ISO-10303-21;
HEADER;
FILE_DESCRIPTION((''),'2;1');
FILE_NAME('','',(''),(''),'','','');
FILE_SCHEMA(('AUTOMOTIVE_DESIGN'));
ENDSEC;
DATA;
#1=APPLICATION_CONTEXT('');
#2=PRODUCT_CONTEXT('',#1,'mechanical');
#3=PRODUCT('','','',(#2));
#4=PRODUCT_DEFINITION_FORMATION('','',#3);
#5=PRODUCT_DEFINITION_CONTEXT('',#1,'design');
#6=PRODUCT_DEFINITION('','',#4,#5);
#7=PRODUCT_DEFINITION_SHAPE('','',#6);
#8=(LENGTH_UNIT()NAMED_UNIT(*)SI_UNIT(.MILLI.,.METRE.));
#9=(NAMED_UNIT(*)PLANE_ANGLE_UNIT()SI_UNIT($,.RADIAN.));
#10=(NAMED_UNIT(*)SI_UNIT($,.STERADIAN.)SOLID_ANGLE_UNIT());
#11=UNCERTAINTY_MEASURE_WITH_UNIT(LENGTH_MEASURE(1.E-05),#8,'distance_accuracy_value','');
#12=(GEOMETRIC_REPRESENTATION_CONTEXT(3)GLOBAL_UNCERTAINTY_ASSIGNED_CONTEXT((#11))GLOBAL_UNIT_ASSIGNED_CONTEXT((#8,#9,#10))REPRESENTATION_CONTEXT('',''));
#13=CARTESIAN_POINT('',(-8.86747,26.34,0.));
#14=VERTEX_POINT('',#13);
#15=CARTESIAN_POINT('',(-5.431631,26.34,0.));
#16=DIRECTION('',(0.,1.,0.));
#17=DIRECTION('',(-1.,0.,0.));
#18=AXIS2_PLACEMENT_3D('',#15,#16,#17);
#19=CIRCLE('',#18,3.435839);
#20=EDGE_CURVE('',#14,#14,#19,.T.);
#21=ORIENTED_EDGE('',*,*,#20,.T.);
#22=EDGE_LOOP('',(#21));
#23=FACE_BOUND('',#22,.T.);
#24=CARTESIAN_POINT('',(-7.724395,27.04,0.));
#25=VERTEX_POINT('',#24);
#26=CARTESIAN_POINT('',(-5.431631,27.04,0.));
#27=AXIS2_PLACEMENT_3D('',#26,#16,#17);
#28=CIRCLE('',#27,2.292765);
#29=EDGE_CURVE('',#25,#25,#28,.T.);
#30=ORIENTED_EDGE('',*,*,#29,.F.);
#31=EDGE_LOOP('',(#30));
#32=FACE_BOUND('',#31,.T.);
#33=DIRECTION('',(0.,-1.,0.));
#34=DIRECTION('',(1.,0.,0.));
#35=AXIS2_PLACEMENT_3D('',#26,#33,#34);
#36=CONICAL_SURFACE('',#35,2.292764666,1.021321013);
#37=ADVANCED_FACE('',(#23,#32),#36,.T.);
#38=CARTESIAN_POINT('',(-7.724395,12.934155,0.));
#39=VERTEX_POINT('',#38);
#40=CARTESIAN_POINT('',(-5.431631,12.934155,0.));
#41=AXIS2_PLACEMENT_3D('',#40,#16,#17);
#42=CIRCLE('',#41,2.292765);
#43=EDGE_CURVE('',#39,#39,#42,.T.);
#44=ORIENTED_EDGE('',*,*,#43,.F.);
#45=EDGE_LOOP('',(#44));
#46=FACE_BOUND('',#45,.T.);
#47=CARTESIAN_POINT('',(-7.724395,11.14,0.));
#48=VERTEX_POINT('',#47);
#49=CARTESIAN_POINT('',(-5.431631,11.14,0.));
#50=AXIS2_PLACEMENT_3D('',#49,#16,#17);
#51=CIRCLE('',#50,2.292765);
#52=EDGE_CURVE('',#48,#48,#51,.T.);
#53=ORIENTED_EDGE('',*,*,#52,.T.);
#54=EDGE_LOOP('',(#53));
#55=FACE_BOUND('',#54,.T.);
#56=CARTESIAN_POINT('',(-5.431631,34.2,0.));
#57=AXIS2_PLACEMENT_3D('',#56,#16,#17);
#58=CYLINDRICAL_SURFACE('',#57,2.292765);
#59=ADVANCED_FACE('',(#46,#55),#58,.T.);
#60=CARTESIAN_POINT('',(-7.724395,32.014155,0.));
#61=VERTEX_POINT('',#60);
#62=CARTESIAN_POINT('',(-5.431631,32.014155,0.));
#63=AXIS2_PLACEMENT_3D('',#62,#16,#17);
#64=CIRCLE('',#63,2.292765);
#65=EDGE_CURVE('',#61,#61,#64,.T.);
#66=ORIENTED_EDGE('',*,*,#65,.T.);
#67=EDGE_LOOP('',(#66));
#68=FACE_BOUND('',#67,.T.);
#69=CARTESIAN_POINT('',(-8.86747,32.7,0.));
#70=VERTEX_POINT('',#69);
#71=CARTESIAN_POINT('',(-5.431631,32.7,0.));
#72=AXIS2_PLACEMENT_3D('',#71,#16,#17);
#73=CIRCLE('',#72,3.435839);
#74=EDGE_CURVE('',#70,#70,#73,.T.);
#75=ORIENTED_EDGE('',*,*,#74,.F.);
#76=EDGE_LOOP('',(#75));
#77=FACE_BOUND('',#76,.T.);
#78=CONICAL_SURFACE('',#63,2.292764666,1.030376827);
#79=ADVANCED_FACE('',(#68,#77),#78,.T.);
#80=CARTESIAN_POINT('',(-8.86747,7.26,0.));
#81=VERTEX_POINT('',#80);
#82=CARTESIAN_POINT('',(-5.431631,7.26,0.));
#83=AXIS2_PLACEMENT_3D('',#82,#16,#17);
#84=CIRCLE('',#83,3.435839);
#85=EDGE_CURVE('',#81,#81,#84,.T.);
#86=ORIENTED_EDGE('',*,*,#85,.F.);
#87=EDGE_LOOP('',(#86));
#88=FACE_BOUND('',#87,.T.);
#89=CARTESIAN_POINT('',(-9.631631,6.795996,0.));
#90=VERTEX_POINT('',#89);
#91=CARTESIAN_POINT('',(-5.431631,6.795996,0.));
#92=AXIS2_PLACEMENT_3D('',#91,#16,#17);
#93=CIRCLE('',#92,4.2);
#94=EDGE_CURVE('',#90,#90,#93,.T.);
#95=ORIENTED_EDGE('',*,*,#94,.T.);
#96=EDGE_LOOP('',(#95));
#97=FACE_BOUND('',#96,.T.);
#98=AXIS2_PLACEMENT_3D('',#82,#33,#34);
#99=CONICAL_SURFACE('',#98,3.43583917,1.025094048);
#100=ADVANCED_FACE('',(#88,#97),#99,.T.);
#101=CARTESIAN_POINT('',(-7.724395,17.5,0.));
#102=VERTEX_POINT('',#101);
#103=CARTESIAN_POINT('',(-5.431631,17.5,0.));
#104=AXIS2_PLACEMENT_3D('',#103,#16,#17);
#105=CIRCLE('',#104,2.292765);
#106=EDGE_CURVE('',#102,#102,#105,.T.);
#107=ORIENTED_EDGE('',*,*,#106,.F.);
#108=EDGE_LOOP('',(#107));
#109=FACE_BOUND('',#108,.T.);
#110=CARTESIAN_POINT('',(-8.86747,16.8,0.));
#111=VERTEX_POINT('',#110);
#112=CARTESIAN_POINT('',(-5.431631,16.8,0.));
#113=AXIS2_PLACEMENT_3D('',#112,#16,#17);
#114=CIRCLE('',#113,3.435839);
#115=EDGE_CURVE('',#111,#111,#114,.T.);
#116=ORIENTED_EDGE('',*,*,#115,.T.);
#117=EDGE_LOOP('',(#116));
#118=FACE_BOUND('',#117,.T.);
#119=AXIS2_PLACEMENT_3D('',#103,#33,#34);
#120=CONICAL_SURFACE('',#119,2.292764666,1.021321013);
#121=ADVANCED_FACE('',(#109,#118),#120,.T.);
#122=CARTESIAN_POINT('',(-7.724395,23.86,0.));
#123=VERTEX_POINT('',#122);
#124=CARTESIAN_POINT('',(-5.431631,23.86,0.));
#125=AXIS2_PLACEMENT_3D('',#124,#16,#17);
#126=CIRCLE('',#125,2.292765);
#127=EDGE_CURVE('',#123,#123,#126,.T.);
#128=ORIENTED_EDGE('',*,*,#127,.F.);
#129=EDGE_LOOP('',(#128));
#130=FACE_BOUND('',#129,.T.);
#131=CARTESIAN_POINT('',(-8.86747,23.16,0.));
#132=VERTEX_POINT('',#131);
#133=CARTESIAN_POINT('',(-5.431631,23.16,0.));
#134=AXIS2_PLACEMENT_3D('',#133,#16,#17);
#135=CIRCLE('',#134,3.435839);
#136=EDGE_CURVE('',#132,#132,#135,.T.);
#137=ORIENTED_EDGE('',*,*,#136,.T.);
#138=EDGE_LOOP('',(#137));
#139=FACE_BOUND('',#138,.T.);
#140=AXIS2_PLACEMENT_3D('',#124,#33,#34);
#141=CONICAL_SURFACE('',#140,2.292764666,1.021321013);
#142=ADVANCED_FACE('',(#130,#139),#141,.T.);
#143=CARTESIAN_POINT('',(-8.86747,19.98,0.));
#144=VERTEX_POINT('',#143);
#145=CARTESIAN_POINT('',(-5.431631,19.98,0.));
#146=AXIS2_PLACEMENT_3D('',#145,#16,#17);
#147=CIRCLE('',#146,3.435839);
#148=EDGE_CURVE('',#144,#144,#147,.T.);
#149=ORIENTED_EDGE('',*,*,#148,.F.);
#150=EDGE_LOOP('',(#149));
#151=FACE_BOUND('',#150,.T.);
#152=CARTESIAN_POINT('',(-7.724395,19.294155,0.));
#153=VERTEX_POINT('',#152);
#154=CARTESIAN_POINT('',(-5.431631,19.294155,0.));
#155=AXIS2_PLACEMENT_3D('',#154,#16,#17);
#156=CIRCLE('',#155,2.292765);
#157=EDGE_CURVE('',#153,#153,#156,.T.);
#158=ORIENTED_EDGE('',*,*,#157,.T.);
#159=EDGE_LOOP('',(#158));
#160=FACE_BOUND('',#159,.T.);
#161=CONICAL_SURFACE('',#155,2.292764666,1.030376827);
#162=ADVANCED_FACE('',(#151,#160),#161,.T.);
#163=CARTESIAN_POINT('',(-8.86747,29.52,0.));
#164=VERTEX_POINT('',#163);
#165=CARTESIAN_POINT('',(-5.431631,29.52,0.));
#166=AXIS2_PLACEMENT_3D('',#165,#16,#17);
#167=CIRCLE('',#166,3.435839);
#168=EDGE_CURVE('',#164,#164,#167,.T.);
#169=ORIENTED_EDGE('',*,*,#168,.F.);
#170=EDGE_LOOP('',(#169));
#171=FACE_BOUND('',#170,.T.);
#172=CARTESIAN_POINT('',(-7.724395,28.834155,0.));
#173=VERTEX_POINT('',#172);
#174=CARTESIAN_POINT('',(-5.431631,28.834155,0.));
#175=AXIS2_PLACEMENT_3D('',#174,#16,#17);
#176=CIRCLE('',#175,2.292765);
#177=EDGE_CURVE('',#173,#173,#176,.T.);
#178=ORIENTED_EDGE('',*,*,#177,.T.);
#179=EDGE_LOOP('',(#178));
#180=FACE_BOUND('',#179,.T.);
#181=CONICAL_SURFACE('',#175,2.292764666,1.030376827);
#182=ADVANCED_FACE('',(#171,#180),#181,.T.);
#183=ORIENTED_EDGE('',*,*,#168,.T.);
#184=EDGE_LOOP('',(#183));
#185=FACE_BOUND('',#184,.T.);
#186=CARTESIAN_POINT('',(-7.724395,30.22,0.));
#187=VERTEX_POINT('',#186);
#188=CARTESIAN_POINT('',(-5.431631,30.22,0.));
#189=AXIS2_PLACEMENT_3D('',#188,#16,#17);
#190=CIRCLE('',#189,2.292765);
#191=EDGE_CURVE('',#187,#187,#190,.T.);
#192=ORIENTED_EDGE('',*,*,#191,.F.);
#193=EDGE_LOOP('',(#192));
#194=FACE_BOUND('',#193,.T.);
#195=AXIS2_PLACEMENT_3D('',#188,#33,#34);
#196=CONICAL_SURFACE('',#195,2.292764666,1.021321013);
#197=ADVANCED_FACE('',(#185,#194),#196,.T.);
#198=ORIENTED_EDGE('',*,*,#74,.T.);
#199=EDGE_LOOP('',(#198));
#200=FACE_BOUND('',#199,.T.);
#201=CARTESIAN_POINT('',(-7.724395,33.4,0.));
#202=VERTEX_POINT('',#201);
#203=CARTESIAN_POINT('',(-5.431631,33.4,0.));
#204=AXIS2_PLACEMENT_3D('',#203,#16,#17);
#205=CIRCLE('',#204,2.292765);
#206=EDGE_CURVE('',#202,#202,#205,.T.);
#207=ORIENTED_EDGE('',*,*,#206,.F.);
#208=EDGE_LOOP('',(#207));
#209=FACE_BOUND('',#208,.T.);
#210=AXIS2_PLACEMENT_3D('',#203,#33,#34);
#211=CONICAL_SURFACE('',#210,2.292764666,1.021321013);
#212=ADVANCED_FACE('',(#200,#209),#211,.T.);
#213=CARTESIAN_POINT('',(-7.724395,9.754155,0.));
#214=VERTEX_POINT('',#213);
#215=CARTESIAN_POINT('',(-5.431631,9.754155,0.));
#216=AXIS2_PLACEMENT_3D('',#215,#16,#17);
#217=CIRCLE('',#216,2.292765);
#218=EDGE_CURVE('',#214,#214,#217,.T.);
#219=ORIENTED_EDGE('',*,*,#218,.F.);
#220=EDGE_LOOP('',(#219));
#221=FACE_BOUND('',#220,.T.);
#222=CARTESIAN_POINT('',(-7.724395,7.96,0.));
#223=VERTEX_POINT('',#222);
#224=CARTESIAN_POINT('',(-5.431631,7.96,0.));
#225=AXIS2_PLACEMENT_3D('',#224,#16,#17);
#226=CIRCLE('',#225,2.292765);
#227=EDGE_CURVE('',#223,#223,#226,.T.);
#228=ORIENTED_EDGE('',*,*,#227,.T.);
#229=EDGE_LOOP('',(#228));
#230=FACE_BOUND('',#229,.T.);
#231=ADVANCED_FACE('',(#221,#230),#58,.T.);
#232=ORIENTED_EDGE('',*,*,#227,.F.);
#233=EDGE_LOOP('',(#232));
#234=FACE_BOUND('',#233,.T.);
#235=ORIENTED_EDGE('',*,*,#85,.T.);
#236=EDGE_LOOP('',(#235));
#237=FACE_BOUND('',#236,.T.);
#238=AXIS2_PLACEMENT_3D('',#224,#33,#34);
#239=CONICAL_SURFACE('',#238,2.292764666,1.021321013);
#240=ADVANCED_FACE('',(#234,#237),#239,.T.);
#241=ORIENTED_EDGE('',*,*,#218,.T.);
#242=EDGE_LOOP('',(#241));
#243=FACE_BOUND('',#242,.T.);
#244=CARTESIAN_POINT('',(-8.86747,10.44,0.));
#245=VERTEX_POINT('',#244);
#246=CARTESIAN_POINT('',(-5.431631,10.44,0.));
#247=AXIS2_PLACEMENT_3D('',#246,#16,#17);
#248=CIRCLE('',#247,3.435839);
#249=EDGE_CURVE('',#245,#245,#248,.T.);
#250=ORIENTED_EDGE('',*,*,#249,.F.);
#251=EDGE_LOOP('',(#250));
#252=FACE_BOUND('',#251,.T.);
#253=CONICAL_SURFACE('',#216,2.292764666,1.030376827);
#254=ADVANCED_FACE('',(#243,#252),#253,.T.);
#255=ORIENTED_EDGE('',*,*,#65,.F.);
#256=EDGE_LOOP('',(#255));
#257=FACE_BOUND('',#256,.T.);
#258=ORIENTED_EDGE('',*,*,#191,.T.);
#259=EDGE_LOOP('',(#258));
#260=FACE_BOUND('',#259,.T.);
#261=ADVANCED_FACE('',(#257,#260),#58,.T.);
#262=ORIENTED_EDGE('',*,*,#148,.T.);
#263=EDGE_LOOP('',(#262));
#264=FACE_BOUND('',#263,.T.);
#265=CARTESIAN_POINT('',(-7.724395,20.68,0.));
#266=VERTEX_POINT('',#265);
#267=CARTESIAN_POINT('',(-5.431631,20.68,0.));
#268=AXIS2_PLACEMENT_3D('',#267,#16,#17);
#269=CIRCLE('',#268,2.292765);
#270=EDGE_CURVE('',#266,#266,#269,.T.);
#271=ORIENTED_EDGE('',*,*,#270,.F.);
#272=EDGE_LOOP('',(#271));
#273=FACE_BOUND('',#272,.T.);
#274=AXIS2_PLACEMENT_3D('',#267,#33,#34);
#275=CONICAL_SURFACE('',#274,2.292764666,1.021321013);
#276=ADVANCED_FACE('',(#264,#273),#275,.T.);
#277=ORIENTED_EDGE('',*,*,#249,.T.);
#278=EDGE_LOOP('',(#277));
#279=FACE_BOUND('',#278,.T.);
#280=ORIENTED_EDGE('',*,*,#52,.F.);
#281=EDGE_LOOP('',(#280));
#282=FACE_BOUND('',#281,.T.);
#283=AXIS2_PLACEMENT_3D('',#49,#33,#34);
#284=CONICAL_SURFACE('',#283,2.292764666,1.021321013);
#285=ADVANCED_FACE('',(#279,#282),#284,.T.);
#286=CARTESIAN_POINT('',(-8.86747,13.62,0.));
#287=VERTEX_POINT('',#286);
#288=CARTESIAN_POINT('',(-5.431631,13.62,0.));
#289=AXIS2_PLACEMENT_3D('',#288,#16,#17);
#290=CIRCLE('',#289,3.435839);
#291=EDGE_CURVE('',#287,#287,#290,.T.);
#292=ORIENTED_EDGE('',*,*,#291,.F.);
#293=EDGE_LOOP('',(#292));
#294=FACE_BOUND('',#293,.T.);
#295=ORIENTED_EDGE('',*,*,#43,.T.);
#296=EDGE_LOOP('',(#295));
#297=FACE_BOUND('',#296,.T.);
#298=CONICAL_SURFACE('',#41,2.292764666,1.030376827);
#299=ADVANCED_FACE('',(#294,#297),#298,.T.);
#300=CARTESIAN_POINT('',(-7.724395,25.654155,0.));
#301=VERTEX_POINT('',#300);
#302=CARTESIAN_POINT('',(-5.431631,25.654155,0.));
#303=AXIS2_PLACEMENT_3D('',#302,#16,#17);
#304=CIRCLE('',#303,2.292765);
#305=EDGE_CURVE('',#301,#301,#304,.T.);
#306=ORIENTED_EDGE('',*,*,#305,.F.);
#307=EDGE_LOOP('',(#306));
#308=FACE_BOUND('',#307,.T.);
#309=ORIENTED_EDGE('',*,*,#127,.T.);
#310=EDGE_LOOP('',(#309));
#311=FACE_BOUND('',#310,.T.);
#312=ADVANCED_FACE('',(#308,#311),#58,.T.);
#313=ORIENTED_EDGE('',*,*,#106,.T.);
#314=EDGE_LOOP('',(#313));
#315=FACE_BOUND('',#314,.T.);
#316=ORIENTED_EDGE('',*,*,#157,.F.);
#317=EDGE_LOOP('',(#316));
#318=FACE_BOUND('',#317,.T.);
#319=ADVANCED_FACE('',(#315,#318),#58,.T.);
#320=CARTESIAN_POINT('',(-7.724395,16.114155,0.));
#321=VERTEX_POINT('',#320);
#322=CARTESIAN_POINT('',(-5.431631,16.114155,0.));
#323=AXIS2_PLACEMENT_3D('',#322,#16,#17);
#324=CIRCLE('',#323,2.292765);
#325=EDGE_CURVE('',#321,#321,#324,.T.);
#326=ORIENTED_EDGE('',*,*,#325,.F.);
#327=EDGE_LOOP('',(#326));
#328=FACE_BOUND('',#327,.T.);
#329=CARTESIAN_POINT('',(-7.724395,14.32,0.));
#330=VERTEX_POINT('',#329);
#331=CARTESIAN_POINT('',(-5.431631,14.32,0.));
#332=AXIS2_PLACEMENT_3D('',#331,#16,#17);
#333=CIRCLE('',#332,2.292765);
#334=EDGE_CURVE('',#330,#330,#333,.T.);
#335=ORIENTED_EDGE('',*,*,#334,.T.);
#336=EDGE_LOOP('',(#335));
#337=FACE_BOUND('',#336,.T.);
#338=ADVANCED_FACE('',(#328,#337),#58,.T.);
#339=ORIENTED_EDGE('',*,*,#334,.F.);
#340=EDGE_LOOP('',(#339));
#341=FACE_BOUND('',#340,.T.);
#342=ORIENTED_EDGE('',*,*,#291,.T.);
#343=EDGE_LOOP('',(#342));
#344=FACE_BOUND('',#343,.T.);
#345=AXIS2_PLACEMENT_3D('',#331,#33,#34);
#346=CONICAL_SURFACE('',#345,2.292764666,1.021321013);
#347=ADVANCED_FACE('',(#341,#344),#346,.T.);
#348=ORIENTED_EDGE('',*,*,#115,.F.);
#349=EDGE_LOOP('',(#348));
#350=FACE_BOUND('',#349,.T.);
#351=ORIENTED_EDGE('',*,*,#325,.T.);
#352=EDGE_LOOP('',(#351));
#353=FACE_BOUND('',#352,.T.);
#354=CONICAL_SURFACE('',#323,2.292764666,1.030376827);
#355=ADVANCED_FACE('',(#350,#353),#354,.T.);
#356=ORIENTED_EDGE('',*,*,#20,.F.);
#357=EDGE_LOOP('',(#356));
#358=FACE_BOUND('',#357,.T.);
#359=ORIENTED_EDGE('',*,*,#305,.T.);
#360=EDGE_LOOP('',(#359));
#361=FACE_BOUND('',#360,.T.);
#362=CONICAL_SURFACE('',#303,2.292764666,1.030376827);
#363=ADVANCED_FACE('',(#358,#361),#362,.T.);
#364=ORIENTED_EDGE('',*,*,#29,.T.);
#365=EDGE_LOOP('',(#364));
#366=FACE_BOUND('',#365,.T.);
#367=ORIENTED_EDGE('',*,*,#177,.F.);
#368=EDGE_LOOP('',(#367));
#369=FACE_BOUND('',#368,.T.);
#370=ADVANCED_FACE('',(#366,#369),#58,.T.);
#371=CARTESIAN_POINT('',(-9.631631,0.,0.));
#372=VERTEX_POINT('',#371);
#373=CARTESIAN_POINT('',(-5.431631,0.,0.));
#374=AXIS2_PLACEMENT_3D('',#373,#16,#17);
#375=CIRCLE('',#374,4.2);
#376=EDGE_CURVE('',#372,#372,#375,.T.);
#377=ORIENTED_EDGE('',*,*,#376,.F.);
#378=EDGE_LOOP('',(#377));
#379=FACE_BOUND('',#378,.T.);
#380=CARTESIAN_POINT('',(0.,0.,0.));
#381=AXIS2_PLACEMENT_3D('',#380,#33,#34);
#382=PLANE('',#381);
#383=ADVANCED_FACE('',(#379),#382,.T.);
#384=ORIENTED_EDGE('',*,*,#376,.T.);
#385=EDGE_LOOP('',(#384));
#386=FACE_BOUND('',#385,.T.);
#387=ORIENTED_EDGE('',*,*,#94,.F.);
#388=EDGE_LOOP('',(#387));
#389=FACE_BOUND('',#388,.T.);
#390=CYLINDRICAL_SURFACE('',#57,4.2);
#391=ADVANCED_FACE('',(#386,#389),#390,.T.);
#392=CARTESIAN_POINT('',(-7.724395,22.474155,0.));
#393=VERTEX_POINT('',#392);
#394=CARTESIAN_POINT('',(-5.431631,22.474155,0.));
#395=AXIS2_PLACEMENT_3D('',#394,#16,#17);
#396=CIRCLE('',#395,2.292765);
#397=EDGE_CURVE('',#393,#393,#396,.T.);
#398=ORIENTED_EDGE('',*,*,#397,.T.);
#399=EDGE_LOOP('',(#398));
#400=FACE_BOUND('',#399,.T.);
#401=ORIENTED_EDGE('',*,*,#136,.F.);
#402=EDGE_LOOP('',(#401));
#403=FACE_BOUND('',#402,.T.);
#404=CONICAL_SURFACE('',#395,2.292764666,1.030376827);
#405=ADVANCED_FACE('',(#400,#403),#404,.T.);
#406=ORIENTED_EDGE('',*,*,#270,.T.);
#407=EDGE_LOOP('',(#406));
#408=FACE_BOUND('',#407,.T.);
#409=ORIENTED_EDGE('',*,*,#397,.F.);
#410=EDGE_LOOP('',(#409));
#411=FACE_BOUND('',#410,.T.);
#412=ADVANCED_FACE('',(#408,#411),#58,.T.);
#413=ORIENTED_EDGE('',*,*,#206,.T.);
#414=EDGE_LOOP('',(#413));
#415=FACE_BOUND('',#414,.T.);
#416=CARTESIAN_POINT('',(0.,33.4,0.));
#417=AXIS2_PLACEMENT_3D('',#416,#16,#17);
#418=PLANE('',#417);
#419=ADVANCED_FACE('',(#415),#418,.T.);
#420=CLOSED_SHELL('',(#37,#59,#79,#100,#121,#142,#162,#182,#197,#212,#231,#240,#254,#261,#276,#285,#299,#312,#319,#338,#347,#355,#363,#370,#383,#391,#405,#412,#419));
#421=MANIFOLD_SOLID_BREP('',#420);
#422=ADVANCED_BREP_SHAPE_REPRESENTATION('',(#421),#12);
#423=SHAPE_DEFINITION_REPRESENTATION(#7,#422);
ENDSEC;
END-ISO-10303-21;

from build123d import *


with BuildPart() as part:
    # Sketch1 → Revolve2 (revolve)
    with BuildSketch(Plane.XY, mode=Mode.PRIVATE) as revolve2_sk:
        Polygon((-1.231630681, 0), (-5.431630681, 0), (-5.431630681, 33.4), (-3.138866015, 33.4), (-1.995791511, 32.7), (-3.138866015, 32.014155298), (-3.138866015, 30.22), (-1.995791511, 29.52), (-3.138866015, 28.834155298), (-3.138866015, 27.04), (-1.995791511, 26.34), (-3.138866015, 25.654155298), (-3.138866015, 23.86), (-1.995791511, 23.16), (-3.138866015, 22.474155298), (-3.138866015, 20.68), (-1.995791511, 19.98), (-3.138866015, 19.294155298), (-3.138866015, 17.5), (-1.995791511, 16.8), (-3.138866015, 16.114155298), (-3.138866015, 14.32), (-1.995791511, 13.62), (-3.138866015, 12.934155298), (-3.138866015, 11.14), (-1.995791511, 10.44), (-3.138866015, 9.754155298), (-3.138866015, 7.96), (-1.995791511, 7.26), (-1.231630681, 6.795995819), align=None)
    revolve(revolve2_sk.sketch.rotate(Axis((-5.431630681, 34.2, 0), (0, -1, 0)), 180), axis=Axis((-5.431630681, 34.2, 0), (0, -1, 0)))


solid = part.part
